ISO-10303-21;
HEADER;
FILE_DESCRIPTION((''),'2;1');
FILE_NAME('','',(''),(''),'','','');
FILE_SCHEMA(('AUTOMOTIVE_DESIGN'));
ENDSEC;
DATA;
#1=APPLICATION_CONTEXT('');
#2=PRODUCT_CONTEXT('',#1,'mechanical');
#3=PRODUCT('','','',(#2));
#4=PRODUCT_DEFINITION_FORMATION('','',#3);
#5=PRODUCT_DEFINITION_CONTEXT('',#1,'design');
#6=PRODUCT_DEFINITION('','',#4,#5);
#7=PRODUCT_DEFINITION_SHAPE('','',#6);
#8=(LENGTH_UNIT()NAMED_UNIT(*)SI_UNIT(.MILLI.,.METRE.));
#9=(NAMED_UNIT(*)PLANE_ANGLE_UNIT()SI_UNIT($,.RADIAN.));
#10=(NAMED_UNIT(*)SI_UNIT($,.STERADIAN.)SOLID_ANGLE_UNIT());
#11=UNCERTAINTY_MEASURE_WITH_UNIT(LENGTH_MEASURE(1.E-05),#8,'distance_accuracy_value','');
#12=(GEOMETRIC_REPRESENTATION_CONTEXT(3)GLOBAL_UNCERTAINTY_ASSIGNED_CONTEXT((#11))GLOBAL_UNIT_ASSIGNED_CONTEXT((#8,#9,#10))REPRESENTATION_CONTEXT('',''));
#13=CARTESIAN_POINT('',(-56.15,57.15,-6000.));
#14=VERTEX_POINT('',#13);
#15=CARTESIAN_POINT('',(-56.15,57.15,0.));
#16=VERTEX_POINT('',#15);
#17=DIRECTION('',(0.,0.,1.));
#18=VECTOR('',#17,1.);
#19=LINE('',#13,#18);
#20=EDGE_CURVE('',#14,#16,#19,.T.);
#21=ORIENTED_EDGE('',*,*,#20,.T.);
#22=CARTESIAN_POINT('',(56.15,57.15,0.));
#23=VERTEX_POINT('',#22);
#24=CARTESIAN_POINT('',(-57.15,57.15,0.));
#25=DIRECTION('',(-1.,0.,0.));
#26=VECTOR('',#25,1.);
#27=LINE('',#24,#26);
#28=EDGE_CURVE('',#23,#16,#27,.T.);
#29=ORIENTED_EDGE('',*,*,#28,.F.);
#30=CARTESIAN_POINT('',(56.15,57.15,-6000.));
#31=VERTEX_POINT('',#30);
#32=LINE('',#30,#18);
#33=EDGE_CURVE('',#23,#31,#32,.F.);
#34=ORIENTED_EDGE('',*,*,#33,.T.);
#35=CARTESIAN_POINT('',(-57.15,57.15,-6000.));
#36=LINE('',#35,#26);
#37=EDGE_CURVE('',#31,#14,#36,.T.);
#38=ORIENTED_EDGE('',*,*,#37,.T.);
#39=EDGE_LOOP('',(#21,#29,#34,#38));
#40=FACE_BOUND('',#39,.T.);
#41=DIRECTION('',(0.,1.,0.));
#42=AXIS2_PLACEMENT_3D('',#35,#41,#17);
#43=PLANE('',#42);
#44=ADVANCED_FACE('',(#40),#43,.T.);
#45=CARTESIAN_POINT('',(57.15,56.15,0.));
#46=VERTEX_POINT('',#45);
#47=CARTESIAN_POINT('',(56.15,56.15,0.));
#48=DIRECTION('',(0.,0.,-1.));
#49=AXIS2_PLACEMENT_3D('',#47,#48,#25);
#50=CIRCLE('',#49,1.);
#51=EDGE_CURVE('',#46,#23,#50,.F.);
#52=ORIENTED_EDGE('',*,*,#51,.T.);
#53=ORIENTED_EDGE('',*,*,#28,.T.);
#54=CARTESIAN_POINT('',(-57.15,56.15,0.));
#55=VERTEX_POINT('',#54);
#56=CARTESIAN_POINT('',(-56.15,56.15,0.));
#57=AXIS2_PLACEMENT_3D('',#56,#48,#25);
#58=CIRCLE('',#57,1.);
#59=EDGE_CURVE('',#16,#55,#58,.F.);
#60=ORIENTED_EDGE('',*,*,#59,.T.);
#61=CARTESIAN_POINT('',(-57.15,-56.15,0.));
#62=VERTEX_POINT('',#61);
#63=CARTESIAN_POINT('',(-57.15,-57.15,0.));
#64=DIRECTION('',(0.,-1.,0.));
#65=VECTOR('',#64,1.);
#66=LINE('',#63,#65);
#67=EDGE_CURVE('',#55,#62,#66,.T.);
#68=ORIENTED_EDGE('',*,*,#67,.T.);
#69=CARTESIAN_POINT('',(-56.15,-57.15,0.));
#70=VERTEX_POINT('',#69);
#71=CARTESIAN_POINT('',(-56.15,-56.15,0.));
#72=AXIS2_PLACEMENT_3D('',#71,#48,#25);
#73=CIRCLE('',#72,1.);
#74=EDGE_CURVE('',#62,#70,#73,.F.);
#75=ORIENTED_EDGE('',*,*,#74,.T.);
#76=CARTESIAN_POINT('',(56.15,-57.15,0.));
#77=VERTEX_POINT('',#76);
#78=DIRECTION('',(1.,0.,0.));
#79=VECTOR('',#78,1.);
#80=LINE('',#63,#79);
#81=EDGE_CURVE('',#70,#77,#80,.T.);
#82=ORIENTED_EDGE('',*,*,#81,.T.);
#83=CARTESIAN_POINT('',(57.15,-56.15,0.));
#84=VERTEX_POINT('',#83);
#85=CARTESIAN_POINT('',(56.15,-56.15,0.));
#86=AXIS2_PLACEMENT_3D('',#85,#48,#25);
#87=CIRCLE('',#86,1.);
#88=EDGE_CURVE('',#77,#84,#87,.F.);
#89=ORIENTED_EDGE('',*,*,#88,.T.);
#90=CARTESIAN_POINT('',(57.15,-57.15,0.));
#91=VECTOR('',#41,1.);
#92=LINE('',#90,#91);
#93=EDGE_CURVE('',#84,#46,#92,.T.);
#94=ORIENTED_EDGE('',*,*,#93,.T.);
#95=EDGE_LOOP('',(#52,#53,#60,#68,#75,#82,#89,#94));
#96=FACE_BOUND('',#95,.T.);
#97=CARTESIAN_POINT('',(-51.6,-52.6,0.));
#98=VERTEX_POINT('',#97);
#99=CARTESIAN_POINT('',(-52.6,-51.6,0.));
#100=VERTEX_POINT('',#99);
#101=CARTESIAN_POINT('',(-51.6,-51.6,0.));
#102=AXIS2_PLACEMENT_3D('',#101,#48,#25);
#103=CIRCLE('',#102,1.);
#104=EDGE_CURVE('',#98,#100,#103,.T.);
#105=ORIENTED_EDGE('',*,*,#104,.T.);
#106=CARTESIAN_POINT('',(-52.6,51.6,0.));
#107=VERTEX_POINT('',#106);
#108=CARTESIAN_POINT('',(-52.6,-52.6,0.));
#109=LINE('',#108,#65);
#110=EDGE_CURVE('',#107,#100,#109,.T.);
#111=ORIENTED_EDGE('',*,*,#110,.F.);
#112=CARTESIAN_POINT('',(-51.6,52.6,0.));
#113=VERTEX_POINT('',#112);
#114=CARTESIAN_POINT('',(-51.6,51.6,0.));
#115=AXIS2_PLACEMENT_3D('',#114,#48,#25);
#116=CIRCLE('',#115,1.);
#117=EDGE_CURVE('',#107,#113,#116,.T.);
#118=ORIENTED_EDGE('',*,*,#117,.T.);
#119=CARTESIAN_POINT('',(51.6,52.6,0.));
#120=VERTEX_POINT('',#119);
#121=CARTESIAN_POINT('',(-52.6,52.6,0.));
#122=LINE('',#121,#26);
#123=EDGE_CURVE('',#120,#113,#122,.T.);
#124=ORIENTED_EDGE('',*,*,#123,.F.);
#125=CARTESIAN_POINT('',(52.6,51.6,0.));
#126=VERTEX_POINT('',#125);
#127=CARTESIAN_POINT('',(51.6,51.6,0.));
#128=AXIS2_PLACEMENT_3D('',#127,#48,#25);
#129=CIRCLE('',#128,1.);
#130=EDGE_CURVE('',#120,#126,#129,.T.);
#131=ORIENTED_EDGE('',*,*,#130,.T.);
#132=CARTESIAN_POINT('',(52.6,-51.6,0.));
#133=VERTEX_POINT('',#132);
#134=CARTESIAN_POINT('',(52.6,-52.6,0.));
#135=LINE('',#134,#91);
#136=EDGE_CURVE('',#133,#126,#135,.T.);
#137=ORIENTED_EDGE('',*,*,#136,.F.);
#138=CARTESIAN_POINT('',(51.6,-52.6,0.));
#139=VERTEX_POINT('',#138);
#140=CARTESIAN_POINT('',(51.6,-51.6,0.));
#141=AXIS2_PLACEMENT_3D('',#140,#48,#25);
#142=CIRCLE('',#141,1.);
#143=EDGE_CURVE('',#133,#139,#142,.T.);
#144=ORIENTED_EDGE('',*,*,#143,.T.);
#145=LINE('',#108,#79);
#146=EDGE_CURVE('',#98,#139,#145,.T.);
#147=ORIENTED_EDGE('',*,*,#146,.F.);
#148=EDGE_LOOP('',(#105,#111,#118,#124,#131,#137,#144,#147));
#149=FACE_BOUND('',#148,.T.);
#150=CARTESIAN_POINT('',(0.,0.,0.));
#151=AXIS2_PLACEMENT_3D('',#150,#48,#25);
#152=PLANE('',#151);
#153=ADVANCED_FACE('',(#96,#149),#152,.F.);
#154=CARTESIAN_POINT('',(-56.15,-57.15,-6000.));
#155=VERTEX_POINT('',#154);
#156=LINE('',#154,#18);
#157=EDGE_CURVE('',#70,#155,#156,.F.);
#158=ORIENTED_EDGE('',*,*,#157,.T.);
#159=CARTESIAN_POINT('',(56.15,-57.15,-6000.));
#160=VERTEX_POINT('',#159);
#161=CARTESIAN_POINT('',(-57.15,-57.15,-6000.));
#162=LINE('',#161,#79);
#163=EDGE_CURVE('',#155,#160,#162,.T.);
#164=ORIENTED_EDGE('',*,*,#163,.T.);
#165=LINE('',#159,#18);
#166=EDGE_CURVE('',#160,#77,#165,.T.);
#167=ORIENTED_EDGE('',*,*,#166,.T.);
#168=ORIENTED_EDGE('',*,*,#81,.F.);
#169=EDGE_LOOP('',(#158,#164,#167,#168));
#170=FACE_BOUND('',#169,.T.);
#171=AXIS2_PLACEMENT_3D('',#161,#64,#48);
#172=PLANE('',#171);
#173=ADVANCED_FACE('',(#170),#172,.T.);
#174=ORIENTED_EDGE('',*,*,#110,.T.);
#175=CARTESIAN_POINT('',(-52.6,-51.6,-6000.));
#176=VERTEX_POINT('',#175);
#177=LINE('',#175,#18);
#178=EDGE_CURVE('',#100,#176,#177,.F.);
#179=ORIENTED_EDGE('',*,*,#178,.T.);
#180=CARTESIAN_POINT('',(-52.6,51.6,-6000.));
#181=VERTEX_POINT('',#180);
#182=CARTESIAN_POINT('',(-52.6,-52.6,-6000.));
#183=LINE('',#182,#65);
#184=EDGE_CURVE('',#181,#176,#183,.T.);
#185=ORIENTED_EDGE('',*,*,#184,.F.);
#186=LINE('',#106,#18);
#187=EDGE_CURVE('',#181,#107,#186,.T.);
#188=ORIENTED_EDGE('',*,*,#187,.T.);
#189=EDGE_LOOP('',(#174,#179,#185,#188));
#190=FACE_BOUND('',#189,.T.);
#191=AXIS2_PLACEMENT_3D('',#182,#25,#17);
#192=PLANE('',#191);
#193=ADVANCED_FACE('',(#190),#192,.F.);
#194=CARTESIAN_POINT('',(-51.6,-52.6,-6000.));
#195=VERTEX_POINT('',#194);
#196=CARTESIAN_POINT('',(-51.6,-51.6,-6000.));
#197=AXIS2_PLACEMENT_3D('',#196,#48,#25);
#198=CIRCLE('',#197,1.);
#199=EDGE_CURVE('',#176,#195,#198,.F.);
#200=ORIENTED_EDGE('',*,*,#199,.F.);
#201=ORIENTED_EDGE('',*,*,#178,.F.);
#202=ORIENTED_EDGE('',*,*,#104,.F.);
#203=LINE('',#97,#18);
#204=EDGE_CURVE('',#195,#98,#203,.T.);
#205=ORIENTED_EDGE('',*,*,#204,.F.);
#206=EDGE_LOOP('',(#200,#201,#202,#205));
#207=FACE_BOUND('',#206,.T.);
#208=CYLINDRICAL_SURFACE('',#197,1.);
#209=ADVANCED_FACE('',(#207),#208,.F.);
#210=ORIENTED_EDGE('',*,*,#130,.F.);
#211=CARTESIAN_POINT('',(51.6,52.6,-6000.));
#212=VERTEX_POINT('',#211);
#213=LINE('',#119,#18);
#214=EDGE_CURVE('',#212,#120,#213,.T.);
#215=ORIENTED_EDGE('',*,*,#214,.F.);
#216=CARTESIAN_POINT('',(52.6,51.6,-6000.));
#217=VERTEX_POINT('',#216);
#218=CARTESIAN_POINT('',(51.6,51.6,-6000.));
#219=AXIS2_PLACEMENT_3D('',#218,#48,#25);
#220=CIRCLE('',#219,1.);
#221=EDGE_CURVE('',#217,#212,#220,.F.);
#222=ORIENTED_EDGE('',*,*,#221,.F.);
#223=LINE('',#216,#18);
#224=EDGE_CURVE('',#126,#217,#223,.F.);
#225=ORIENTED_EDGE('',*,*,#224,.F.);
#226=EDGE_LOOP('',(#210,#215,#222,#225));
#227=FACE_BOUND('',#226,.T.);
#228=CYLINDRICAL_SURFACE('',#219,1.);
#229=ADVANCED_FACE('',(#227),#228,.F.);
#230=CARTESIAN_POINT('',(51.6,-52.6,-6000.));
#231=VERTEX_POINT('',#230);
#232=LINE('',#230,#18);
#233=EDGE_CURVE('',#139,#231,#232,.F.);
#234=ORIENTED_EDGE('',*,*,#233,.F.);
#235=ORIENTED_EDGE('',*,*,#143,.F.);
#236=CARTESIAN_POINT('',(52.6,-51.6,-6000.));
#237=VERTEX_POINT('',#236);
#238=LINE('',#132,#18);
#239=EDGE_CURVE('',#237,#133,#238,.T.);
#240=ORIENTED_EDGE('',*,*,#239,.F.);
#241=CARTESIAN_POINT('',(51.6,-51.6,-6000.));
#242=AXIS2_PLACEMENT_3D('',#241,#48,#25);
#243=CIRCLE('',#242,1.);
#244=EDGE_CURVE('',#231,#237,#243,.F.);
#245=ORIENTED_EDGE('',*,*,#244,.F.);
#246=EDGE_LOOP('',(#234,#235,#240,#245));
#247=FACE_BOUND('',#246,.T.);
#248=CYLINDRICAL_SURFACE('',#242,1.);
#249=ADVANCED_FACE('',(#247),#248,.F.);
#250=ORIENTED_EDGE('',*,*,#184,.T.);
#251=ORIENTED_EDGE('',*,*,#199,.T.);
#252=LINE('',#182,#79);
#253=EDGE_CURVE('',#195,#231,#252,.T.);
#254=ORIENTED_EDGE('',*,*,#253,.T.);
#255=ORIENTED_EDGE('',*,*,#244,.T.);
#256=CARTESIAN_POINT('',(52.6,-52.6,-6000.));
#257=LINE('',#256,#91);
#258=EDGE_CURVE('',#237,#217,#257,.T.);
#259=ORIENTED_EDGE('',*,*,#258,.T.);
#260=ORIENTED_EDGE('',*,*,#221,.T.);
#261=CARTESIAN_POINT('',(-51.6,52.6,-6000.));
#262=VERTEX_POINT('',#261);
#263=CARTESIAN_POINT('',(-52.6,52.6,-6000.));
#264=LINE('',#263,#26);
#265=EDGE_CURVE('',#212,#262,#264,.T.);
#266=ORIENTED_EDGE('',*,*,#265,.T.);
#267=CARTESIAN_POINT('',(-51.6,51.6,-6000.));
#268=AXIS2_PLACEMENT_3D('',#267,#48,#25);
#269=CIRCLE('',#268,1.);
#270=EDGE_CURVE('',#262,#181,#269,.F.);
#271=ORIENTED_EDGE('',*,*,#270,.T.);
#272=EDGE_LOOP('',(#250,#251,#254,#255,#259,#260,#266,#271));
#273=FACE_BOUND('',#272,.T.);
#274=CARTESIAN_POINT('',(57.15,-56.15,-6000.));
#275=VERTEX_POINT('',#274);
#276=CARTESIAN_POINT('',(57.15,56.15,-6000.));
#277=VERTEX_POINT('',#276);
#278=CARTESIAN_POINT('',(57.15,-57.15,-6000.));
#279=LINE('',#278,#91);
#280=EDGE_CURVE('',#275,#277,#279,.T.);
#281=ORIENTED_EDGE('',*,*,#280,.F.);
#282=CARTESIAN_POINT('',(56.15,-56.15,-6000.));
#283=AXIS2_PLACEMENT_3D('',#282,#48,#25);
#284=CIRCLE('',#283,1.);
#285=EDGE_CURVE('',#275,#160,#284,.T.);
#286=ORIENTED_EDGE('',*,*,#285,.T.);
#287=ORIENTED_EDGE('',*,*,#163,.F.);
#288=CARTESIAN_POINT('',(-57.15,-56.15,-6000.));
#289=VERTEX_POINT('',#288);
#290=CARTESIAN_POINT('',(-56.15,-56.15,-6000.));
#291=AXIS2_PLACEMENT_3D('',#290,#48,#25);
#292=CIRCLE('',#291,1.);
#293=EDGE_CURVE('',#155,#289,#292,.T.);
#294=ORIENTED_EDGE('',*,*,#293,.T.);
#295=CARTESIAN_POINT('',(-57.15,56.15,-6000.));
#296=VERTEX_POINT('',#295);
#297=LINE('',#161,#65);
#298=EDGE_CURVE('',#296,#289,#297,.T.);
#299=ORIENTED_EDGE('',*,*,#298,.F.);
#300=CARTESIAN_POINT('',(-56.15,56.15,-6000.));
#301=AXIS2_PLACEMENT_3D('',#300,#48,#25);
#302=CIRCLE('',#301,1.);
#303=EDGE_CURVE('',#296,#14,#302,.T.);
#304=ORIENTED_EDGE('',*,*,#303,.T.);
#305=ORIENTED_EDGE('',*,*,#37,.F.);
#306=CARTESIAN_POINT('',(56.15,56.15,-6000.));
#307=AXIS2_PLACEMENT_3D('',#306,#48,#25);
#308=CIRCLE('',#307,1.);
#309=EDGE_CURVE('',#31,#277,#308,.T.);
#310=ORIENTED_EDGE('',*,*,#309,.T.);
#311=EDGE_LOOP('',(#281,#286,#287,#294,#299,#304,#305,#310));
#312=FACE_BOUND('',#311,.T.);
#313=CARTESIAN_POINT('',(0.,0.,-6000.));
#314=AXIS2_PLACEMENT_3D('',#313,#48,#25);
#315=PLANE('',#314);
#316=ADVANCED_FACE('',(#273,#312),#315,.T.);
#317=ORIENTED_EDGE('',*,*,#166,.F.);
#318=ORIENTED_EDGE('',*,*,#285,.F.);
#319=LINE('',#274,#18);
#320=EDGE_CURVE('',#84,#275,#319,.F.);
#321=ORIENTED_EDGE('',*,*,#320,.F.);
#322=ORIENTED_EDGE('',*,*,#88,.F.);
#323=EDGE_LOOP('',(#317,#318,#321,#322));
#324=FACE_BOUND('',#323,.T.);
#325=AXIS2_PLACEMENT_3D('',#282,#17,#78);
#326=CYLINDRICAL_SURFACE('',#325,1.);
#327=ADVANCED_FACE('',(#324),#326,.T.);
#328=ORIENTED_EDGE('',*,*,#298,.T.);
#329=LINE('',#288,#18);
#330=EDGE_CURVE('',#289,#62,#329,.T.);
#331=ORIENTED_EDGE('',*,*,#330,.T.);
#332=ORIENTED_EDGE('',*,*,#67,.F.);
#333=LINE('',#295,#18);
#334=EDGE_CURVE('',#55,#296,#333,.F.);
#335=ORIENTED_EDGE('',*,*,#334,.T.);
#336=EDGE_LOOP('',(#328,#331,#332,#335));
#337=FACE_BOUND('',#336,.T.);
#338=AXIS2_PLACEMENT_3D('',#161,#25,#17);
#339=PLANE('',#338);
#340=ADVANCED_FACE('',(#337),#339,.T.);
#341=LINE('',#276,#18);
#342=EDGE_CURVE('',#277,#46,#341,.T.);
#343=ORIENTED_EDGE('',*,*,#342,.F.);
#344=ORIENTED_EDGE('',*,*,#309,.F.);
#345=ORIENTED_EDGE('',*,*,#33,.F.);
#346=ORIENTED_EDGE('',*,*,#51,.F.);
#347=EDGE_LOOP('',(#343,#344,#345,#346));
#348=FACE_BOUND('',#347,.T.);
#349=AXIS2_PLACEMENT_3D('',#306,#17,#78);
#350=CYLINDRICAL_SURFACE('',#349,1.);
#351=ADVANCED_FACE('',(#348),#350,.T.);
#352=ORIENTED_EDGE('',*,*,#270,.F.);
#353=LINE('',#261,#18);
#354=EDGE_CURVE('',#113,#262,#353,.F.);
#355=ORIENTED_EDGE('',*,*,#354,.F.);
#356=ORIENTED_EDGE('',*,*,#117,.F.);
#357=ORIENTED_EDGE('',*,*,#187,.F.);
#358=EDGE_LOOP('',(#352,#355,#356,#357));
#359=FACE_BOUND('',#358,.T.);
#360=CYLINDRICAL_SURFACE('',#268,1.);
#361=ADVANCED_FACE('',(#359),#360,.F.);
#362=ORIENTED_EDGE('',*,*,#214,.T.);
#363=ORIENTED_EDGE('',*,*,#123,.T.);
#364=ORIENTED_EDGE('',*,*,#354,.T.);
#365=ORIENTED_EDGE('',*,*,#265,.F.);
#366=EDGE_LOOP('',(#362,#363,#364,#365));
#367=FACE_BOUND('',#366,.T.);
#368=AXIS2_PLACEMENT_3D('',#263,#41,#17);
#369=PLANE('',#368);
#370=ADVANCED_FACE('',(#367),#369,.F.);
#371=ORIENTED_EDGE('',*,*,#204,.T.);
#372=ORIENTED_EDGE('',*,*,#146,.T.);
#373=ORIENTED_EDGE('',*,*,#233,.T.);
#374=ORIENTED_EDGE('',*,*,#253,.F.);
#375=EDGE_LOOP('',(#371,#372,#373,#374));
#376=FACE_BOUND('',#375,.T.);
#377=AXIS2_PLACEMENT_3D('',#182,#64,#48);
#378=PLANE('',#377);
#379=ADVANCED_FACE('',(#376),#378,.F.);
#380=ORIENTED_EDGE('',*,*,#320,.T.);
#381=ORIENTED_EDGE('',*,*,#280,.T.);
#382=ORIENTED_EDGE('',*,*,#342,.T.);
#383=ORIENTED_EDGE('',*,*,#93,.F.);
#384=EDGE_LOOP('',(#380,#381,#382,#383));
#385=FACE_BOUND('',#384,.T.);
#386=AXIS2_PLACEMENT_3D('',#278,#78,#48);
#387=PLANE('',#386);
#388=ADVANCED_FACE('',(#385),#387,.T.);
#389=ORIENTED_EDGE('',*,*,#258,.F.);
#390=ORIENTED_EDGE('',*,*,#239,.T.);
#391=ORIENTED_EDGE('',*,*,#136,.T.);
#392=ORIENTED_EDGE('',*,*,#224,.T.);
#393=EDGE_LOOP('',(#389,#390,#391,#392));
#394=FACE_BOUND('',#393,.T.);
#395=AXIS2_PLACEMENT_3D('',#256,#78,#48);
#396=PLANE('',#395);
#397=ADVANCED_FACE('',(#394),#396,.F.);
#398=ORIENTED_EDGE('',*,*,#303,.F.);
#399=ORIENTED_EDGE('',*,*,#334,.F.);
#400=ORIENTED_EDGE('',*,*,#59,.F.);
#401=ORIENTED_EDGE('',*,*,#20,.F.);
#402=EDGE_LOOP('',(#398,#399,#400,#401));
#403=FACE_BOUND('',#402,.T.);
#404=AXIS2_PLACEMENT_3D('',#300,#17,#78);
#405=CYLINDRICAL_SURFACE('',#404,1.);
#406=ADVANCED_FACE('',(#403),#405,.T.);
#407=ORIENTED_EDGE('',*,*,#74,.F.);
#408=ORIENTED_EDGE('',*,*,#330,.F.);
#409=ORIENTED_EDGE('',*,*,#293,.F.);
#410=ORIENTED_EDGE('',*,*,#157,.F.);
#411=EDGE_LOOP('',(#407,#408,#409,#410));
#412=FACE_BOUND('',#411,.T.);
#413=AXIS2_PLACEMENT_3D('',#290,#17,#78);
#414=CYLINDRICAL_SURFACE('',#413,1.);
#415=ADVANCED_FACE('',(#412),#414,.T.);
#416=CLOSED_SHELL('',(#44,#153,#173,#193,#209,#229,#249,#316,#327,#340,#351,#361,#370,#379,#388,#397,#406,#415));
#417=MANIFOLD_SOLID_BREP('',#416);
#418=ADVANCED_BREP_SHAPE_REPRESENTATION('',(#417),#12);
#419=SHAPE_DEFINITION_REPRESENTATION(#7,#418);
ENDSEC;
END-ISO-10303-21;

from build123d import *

# Parameters (mm, degrees)
CROQUIS1_W              = 114.3
CROQUIS1_H              = 114.3
CROQUIS1_W_2            = 105.2
CROQUIS1_H_2            = 105.2
SALIENTE_EXTRUIR1_DEPTH = 6000
REDONDEO1_R             = 1


with BuildPart() as part:
    # Croquis1 → Saliente-Extruir1 (new body)
    with BuildSketch(Plane.XY):
        Rectangle(CROQUIS1_W, CROQUIS1_H)
        Rectangle(CROQUIS1_W_2, CROQUIS1_H_2, mode=Mode.SUBTRACT)
    extrude(amount=-SALIENTE_EXTRUIR1_DEPTH)

    # Redondeo1
    redondeo1_edges = [part.edges().sort_by_distance(p)[0] for p in [
        (52.6, -52.6, -3000),
        (-52.6, -52.6, -3000),
        (-52.6, 52.6, -3000),
        (52.6, 52.6, -3000),
        (57.15, -57.15, -3000),
        (-57.15, -57.15, -3000),
        (-57.15, 57.15, -3000),
        (57.15, 57.15, -3000),
    ]]
    fillet(redondeo1_edges, radius=REDONDEO1_R)


solid = part.part
